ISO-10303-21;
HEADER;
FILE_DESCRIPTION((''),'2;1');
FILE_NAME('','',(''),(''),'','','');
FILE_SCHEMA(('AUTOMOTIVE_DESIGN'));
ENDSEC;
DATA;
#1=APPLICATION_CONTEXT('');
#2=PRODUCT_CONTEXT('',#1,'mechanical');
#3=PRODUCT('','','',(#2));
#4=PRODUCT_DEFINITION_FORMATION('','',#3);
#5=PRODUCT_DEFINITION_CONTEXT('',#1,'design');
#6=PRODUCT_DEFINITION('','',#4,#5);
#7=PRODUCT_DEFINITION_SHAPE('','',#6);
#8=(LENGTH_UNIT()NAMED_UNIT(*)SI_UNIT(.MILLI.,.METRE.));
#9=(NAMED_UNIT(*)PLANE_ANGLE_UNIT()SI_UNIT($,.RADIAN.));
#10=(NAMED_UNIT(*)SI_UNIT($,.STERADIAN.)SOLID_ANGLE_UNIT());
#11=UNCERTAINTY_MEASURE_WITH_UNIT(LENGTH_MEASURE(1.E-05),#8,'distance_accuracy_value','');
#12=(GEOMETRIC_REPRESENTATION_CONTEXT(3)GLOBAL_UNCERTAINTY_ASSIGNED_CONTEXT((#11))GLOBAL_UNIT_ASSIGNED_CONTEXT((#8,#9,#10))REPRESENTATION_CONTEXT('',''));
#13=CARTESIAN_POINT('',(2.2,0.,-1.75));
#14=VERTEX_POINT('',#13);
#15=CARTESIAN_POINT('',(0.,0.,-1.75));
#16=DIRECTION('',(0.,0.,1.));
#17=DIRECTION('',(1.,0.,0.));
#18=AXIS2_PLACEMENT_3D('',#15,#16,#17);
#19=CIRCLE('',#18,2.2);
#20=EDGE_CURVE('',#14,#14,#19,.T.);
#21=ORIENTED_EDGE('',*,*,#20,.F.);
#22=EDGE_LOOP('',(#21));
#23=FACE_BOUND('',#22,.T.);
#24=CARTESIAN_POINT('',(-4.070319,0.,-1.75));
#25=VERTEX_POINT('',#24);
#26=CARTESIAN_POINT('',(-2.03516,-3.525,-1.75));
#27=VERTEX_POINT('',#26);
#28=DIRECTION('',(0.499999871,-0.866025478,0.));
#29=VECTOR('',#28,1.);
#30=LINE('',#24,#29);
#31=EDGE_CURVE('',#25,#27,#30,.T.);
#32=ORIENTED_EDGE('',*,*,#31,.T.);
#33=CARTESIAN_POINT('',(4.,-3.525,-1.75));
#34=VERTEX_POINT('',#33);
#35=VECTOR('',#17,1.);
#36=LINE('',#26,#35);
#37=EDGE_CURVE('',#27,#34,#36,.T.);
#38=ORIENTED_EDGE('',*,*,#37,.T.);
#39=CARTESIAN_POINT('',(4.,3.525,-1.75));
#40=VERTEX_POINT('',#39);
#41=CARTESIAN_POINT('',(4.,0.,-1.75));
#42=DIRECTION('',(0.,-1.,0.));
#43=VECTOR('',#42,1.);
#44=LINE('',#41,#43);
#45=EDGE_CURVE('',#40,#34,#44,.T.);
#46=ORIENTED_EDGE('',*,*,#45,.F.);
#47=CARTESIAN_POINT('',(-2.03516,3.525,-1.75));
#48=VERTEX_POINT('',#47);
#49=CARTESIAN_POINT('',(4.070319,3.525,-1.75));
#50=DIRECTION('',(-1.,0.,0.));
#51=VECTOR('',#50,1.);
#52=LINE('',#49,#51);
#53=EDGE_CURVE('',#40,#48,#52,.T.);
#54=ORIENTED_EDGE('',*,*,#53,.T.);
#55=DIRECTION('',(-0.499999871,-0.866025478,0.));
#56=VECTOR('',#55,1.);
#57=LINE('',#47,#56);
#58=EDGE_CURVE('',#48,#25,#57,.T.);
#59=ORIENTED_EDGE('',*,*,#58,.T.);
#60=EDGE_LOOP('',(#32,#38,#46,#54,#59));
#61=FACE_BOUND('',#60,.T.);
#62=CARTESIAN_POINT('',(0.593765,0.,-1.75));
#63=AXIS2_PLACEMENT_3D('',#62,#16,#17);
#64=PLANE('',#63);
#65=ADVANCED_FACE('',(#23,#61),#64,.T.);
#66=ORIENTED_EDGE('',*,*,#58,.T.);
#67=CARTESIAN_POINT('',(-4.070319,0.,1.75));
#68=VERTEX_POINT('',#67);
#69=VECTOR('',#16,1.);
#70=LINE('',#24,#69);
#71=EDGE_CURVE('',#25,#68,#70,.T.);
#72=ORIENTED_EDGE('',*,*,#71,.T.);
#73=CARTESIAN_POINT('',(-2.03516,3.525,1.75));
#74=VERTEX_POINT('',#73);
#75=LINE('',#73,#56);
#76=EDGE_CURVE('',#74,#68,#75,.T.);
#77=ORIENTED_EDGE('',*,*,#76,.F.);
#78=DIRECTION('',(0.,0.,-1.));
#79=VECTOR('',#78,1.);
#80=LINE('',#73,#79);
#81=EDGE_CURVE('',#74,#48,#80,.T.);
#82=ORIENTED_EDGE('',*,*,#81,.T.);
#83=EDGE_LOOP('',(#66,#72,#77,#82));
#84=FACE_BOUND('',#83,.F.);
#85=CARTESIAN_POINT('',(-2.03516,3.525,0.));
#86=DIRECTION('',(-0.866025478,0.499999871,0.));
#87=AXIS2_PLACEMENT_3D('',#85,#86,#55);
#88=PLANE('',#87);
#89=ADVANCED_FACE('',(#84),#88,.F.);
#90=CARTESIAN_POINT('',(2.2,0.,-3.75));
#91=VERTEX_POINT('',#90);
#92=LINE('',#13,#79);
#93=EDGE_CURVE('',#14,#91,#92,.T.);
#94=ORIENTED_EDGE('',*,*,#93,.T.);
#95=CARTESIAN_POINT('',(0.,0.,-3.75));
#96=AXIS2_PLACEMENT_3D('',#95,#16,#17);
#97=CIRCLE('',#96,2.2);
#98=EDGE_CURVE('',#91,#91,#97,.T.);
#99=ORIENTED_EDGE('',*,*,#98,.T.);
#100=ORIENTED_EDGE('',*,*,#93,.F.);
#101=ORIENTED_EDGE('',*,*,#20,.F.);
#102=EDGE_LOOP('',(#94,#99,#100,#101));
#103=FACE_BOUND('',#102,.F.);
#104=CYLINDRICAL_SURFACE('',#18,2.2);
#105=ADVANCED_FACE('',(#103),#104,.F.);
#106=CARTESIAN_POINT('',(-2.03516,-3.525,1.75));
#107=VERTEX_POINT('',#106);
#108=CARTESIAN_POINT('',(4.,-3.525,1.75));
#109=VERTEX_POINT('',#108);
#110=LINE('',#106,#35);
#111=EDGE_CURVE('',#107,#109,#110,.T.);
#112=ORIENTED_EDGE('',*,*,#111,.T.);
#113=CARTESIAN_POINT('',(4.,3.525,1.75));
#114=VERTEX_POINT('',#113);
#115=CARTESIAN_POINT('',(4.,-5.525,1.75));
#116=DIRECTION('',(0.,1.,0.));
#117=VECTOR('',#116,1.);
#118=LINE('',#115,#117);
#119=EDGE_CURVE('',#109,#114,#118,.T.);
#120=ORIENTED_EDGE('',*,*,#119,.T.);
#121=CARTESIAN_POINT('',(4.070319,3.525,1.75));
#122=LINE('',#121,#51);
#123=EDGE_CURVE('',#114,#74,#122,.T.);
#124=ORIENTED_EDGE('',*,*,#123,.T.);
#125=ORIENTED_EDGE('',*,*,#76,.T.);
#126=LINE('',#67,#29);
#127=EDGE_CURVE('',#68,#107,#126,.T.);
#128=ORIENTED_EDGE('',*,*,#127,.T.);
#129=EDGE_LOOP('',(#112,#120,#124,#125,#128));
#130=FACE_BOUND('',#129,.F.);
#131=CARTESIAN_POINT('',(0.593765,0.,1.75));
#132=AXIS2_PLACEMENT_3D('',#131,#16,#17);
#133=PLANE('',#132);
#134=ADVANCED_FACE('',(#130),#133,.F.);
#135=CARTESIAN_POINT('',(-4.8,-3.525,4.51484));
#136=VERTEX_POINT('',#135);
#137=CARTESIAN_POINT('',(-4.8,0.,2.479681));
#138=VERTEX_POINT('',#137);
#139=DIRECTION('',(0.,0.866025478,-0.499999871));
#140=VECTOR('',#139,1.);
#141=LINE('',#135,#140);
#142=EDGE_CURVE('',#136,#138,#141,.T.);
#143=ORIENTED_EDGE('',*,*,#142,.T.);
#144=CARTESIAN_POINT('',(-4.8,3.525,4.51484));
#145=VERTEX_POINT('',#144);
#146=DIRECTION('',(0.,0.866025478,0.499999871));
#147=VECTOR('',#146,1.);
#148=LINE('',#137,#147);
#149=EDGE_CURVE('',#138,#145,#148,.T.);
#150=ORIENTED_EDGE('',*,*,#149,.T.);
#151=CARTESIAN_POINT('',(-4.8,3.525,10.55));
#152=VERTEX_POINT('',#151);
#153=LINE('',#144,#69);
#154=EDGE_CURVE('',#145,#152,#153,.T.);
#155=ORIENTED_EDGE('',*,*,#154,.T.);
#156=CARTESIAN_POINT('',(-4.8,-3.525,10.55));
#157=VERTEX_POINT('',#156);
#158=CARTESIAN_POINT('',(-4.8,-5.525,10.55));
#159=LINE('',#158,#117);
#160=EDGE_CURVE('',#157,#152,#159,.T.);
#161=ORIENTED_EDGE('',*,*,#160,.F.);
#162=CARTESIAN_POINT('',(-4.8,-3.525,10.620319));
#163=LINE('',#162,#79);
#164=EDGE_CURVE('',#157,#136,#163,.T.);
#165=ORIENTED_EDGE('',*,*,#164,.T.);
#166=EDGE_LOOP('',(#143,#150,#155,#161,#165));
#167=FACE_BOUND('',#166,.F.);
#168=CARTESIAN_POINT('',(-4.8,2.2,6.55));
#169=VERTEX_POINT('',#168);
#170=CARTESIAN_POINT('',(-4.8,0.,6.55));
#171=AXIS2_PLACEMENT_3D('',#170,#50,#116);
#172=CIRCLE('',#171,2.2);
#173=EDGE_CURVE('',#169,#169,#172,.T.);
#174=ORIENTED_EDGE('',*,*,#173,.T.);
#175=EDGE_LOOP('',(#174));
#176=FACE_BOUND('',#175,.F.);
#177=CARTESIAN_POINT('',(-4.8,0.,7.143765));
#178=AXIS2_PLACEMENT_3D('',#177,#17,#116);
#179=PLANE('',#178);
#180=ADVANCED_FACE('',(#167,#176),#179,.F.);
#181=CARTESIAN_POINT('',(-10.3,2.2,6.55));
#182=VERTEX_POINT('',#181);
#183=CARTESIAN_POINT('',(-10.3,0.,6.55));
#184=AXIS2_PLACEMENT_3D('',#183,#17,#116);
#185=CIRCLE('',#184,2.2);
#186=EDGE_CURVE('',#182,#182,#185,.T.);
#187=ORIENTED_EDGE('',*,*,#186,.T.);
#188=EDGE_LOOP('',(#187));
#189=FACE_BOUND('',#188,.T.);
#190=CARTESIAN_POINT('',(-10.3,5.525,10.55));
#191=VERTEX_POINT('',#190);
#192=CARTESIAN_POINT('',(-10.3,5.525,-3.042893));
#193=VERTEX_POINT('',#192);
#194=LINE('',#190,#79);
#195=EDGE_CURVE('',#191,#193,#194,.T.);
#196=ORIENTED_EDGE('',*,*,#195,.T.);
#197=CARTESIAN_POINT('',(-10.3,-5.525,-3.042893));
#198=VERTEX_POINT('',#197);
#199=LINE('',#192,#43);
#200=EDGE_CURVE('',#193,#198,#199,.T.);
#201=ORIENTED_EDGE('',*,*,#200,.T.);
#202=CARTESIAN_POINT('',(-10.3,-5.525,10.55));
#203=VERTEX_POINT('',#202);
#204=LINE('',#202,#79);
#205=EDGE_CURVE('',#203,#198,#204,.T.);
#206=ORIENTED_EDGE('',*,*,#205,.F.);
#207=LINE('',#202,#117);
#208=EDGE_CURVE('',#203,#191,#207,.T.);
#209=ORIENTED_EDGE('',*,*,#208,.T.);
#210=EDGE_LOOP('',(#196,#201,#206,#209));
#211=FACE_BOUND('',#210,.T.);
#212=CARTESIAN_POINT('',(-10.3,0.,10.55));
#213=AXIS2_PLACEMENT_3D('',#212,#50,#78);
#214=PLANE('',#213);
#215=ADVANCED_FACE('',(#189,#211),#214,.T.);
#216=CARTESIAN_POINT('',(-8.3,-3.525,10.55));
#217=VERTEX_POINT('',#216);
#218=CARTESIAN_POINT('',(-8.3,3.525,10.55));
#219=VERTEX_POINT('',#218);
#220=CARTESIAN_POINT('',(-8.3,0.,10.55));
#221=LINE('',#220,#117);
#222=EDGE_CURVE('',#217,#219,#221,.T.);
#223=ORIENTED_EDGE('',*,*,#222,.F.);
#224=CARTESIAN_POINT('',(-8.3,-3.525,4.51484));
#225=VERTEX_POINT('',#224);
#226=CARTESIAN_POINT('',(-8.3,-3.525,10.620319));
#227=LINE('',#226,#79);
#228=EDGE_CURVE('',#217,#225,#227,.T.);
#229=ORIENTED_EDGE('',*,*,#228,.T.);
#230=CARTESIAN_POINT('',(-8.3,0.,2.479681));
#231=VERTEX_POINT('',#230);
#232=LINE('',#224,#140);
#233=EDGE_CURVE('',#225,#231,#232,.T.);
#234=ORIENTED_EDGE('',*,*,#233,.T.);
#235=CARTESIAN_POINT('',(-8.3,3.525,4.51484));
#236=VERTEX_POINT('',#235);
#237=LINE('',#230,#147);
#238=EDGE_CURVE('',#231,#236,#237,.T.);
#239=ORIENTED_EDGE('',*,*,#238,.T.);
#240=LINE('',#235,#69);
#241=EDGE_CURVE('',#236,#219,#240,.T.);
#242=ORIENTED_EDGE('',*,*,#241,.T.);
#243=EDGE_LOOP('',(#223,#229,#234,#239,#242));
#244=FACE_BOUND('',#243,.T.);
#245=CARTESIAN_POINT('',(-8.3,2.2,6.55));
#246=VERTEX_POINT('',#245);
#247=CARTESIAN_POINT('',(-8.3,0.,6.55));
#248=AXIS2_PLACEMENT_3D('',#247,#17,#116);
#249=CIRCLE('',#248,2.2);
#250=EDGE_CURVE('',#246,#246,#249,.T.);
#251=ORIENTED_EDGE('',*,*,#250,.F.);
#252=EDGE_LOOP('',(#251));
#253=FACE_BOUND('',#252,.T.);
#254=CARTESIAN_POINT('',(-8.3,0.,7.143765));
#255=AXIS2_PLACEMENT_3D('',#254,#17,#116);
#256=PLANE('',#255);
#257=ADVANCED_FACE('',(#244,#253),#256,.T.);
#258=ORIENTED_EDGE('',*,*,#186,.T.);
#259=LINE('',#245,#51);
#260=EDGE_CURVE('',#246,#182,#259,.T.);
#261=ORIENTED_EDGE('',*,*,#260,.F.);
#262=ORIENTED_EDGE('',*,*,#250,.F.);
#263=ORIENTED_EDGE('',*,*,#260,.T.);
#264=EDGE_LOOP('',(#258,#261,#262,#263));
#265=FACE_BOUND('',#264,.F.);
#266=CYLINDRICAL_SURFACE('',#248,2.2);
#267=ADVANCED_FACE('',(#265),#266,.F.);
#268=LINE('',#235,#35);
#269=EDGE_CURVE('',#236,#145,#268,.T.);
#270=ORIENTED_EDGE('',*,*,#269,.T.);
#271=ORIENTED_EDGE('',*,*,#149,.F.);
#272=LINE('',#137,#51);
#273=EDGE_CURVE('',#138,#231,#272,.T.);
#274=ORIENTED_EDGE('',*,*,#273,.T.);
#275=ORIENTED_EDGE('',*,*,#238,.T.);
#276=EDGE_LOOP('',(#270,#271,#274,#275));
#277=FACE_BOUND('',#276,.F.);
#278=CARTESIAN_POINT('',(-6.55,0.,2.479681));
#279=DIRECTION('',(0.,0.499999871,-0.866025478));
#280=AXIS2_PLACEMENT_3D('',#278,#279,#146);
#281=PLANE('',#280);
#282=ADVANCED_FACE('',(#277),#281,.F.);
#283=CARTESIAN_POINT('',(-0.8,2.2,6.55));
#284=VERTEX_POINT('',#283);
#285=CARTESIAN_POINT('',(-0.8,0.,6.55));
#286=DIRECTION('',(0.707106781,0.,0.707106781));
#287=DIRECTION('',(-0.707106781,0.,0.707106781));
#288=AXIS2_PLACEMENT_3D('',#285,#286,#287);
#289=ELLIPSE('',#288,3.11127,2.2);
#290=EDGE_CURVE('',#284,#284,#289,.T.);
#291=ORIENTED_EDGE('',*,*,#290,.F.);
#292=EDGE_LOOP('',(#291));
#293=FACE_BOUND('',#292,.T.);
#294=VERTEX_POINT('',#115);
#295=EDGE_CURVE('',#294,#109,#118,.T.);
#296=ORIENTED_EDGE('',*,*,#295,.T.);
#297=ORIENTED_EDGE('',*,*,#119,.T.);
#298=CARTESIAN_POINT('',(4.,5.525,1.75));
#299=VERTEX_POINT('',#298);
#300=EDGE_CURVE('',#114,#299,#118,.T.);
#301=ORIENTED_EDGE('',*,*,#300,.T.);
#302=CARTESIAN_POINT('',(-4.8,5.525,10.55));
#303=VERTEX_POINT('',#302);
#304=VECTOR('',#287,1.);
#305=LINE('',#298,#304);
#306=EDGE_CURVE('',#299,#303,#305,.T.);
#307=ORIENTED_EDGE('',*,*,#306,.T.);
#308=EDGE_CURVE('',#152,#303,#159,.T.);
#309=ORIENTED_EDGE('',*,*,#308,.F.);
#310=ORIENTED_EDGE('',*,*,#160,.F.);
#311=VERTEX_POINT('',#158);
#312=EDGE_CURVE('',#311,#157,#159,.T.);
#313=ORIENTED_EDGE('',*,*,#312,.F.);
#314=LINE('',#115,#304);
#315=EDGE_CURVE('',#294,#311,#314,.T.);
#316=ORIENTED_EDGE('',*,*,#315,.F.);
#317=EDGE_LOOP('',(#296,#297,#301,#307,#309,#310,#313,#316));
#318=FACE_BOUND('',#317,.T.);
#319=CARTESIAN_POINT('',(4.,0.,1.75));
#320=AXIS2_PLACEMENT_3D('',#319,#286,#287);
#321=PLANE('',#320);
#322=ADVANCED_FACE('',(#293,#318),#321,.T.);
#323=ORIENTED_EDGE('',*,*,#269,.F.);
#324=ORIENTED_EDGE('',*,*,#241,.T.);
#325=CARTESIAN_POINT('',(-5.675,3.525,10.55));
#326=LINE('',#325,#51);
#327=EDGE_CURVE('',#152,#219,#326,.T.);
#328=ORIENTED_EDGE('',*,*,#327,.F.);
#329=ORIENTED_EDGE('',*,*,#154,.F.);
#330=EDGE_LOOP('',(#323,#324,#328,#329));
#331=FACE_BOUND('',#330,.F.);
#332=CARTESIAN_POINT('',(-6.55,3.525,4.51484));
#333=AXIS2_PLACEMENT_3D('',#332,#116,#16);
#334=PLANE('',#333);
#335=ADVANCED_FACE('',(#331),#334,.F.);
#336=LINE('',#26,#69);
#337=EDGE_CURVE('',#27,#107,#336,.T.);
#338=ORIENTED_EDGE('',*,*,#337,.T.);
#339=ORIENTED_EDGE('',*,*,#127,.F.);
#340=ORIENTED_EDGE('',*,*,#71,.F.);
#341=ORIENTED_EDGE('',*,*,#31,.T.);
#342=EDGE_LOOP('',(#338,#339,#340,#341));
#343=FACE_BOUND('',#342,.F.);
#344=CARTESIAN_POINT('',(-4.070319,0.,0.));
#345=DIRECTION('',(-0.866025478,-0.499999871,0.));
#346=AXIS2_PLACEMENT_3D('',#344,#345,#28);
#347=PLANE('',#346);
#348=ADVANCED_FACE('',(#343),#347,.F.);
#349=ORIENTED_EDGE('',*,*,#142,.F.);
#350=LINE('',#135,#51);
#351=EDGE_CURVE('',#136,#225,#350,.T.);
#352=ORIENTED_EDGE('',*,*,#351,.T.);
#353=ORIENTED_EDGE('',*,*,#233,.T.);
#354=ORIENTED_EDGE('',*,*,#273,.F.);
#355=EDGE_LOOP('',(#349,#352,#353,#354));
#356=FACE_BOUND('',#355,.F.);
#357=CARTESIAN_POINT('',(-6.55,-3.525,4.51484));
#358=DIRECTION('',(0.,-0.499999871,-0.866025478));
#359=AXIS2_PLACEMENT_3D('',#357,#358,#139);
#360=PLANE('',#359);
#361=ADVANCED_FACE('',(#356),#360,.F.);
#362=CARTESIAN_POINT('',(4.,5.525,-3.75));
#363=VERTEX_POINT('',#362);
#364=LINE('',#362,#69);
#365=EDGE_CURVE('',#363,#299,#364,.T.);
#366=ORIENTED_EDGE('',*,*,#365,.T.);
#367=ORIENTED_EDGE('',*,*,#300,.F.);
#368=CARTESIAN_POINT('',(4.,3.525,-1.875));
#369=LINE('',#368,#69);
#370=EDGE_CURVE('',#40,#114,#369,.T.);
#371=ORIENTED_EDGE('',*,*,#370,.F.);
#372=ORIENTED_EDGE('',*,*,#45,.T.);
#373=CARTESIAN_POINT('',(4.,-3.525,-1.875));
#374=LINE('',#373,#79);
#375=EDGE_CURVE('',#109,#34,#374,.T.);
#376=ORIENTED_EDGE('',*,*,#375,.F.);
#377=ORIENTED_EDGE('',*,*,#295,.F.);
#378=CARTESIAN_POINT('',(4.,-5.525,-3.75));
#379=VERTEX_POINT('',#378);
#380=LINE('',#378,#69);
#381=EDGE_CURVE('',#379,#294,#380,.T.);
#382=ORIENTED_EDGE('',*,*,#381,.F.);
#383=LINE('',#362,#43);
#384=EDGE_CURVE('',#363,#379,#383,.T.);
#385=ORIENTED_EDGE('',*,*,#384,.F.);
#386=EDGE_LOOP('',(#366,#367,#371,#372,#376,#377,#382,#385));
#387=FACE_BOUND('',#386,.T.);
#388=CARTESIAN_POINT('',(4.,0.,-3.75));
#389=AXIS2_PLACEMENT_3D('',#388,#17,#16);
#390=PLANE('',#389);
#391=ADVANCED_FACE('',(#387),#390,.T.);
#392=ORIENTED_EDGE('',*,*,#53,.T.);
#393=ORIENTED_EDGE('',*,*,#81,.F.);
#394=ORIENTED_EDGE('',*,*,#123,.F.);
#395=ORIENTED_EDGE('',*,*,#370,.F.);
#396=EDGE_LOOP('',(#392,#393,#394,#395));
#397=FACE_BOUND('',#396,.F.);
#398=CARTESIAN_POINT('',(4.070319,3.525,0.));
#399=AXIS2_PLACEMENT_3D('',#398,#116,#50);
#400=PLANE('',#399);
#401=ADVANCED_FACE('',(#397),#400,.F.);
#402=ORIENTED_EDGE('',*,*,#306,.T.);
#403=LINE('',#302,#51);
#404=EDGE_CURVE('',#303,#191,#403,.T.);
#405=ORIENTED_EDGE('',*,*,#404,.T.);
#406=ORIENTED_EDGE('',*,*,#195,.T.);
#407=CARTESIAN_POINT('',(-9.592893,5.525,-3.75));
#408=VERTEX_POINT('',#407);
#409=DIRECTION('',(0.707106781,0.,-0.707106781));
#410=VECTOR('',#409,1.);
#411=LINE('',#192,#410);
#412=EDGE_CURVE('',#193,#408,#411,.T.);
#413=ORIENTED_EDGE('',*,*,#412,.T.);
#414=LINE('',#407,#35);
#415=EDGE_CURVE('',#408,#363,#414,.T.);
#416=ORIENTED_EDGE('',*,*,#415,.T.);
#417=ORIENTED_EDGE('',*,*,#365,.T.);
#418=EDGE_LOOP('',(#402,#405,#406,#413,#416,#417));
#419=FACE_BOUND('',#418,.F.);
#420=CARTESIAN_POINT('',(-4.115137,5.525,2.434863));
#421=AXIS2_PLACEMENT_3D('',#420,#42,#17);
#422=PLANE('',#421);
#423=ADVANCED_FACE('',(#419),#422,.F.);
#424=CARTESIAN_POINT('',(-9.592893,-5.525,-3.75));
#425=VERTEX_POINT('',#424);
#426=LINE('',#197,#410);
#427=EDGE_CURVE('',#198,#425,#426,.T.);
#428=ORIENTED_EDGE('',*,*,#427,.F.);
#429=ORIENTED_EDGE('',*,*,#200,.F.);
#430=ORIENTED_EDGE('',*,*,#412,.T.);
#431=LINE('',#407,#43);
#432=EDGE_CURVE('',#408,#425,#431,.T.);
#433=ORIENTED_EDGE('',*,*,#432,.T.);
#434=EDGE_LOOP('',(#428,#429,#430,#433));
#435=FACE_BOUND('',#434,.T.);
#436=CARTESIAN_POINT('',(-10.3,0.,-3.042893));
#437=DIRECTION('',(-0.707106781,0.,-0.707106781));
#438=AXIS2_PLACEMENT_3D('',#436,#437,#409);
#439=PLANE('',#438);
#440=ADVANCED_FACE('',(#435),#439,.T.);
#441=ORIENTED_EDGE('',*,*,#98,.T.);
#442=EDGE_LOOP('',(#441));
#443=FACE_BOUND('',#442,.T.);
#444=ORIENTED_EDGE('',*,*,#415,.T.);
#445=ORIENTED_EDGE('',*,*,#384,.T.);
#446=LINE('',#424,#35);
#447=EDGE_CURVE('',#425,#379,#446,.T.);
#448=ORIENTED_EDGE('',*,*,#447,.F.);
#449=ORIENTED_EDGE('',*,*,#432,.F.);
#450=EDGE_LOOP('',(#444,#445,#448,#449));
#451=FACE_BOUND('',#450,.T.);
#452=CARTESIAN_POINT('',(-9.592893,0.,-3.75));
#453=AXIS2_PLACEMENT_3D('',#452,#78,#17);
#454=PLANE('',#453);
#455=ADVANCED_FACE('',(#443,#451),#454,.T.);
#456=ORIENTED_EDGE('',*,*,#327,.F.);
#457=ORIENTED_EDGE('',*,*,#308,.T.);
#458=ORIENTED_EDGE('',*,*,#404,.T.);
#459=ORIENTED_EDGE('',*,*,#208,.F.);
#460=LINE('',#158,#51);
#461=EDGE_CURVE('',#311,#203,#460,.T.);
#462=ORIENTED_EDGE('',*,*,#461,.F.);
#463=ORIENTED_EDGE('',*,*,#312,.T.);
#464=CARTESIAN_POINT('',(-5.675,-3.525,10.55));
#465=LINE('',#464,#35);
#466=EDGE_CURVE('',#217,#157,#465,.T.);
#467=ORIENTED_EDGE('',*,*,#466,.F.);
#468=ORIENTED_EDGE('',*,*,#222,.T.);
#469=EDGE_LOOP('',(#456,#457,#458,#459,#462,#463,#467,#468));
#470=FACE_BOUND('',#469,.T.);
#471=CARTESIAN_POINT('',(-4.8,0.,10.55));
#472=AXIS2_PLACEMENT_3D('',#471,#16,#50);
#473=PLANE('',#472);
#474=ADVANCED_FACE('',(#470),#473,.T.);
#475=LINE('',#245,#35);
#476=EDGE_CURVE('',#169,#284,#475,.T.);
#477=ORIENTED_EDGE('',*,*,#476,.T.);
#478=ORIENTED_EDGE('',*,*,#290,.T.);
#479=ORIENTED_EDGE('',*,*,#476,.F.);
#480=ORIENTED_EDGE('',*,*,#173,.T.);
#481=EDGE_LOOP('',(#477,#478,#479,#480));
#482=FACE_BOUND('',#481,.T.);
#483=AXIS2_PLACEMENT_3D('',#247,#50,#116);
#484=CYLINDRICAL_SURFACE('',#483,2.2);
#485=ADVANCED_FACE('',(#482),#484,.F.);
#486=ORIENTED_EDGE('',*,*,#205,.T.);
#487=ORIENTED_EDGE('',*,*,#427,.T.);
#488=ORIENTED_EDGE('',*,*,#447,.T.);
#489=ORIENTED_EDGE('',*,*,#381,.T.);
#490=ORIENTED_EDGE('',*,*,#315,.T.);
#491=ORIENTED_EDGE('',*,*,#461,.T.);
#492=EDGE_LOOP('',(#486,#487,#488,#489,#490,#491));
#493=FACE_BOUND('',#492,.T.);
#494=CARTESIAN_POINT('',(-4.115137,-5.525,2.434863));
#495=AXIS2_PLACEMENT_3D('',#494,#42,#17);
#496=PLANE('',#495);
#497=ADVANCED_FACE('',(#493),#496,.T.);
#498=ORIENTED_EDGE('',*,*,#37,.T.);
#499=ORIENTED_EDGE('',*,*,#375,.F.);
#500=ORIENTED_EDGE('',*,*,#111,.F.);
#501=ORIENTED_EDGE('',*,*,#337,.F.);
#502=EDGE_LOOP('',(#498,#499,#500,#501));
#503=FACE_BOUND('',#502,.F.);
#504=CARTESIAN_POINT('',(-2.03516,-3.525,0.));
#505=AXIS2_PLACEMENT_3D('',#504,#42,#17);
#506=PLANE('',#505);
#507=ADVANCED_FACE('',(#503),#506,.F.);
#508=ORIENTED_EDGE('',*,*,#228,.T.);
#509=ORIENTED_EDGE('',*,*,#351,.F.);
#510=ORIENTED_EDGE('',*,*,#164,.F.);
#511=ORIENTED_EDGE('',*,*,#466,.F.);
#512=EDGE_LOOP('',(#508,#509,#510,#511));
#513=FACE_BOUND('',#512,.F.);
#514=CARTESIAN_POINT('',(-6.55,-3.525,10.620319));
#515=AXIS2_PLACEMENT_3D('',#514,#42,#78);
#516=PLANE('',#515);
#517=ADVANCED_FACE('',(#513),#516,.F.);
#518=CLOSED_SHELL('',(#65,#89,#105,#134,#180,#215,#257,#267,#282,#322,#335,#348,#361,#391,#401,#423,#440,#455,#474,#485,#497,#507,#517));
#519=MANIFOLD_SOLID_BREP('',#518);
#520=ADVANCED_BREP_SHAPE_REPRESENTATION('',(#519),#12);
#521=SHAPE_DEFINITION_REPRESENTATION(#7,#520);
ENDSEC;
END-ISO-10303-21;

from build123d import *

# Parameters (mm, degrees)
PAD_DEPTH         = 1.75
PAD001_DEPTH      = 1.75
PAD002_DEPTH      = 5.525
SKETCH003_R       = 2.2
POCKET_DEPTH      = 2.001
POCKET_DEPTH_BACK = -12.301
SKETCH004_R       = 2.2
POCKET001_DEPTH   = 2.001


with BuildPart() as pad:
    # Sketch → Pad (new body, symmetric)
    with BuildSketch(Plane.XY):
        Polygon((2.03516, 3.525), (-2.03516, 3.525), (-4.070319, 0), (-2.03516, -3.525), (2.03516, -3.525), (4.070319, -3.525), (4.070319, 3.525), align=None)
    extrude(amount=PAD_DEPTH, both=True)


with BuildPart() as pad001:
    # Sketch001 → Pad001 (new body, symmetric)
    with BuildSketch(Plane.YZ.offset(-6.55)):
        Polygon((0, 2.479681), (3.525, 4.51484), (3.525, 8.58516), (3.525, 10.620319), (-3.525, 10.620319), (-3.525, 8.58516), (-3.525, 4.51484), align=None)
    extrude(amount=PAD001_DEPTH, both=True)


with BuildPart() as pocket001:
    # Sketch002 → Pad002 (new body, symmetric)
    with BuildSketch(Plane.XZ):
        Polygon((-10.3, 10.55), (-10.3, -3.042893), (-9.592893, -3.75), (4, -3.75), (4, 1.75), (-4.8, 10.55), align=None)
    extrude(amount=PAD002_DEPTH, both=True)

    # Cut: cut Pad001
    add(pad001.part, mode=Mode.SUBTRACT)

    # Cut001: cut Pad
    add(pad.part, mode=Mode.SUBTRACT)

    # Sketch003 → Pocket (cut, two sides)
    with BuildSketch(Plane.YZ.offset(-8.3)) as pocket_sk:
        with Locations((0, 6.55)):
            Circle(SKETCH003_R)
    extrude(amount=-POCKET_DEPTH, mode=Mode.SUBTRACT)
    extrude(pocket_sk.sketch, amount=-POCKET_DEPTH_BACK, mode=Mode.SUBTRACT)

    # Sketch004 → Pocket001 (cut, through all)
    with BuildSketch(Plane.XY.offset(-1.75)):
        Circle(SKETCH004_R)
    extrude(amount=-POCKET001_DEPTH, mode=Mode.SUBTRACT)


solid = pocket001.part
